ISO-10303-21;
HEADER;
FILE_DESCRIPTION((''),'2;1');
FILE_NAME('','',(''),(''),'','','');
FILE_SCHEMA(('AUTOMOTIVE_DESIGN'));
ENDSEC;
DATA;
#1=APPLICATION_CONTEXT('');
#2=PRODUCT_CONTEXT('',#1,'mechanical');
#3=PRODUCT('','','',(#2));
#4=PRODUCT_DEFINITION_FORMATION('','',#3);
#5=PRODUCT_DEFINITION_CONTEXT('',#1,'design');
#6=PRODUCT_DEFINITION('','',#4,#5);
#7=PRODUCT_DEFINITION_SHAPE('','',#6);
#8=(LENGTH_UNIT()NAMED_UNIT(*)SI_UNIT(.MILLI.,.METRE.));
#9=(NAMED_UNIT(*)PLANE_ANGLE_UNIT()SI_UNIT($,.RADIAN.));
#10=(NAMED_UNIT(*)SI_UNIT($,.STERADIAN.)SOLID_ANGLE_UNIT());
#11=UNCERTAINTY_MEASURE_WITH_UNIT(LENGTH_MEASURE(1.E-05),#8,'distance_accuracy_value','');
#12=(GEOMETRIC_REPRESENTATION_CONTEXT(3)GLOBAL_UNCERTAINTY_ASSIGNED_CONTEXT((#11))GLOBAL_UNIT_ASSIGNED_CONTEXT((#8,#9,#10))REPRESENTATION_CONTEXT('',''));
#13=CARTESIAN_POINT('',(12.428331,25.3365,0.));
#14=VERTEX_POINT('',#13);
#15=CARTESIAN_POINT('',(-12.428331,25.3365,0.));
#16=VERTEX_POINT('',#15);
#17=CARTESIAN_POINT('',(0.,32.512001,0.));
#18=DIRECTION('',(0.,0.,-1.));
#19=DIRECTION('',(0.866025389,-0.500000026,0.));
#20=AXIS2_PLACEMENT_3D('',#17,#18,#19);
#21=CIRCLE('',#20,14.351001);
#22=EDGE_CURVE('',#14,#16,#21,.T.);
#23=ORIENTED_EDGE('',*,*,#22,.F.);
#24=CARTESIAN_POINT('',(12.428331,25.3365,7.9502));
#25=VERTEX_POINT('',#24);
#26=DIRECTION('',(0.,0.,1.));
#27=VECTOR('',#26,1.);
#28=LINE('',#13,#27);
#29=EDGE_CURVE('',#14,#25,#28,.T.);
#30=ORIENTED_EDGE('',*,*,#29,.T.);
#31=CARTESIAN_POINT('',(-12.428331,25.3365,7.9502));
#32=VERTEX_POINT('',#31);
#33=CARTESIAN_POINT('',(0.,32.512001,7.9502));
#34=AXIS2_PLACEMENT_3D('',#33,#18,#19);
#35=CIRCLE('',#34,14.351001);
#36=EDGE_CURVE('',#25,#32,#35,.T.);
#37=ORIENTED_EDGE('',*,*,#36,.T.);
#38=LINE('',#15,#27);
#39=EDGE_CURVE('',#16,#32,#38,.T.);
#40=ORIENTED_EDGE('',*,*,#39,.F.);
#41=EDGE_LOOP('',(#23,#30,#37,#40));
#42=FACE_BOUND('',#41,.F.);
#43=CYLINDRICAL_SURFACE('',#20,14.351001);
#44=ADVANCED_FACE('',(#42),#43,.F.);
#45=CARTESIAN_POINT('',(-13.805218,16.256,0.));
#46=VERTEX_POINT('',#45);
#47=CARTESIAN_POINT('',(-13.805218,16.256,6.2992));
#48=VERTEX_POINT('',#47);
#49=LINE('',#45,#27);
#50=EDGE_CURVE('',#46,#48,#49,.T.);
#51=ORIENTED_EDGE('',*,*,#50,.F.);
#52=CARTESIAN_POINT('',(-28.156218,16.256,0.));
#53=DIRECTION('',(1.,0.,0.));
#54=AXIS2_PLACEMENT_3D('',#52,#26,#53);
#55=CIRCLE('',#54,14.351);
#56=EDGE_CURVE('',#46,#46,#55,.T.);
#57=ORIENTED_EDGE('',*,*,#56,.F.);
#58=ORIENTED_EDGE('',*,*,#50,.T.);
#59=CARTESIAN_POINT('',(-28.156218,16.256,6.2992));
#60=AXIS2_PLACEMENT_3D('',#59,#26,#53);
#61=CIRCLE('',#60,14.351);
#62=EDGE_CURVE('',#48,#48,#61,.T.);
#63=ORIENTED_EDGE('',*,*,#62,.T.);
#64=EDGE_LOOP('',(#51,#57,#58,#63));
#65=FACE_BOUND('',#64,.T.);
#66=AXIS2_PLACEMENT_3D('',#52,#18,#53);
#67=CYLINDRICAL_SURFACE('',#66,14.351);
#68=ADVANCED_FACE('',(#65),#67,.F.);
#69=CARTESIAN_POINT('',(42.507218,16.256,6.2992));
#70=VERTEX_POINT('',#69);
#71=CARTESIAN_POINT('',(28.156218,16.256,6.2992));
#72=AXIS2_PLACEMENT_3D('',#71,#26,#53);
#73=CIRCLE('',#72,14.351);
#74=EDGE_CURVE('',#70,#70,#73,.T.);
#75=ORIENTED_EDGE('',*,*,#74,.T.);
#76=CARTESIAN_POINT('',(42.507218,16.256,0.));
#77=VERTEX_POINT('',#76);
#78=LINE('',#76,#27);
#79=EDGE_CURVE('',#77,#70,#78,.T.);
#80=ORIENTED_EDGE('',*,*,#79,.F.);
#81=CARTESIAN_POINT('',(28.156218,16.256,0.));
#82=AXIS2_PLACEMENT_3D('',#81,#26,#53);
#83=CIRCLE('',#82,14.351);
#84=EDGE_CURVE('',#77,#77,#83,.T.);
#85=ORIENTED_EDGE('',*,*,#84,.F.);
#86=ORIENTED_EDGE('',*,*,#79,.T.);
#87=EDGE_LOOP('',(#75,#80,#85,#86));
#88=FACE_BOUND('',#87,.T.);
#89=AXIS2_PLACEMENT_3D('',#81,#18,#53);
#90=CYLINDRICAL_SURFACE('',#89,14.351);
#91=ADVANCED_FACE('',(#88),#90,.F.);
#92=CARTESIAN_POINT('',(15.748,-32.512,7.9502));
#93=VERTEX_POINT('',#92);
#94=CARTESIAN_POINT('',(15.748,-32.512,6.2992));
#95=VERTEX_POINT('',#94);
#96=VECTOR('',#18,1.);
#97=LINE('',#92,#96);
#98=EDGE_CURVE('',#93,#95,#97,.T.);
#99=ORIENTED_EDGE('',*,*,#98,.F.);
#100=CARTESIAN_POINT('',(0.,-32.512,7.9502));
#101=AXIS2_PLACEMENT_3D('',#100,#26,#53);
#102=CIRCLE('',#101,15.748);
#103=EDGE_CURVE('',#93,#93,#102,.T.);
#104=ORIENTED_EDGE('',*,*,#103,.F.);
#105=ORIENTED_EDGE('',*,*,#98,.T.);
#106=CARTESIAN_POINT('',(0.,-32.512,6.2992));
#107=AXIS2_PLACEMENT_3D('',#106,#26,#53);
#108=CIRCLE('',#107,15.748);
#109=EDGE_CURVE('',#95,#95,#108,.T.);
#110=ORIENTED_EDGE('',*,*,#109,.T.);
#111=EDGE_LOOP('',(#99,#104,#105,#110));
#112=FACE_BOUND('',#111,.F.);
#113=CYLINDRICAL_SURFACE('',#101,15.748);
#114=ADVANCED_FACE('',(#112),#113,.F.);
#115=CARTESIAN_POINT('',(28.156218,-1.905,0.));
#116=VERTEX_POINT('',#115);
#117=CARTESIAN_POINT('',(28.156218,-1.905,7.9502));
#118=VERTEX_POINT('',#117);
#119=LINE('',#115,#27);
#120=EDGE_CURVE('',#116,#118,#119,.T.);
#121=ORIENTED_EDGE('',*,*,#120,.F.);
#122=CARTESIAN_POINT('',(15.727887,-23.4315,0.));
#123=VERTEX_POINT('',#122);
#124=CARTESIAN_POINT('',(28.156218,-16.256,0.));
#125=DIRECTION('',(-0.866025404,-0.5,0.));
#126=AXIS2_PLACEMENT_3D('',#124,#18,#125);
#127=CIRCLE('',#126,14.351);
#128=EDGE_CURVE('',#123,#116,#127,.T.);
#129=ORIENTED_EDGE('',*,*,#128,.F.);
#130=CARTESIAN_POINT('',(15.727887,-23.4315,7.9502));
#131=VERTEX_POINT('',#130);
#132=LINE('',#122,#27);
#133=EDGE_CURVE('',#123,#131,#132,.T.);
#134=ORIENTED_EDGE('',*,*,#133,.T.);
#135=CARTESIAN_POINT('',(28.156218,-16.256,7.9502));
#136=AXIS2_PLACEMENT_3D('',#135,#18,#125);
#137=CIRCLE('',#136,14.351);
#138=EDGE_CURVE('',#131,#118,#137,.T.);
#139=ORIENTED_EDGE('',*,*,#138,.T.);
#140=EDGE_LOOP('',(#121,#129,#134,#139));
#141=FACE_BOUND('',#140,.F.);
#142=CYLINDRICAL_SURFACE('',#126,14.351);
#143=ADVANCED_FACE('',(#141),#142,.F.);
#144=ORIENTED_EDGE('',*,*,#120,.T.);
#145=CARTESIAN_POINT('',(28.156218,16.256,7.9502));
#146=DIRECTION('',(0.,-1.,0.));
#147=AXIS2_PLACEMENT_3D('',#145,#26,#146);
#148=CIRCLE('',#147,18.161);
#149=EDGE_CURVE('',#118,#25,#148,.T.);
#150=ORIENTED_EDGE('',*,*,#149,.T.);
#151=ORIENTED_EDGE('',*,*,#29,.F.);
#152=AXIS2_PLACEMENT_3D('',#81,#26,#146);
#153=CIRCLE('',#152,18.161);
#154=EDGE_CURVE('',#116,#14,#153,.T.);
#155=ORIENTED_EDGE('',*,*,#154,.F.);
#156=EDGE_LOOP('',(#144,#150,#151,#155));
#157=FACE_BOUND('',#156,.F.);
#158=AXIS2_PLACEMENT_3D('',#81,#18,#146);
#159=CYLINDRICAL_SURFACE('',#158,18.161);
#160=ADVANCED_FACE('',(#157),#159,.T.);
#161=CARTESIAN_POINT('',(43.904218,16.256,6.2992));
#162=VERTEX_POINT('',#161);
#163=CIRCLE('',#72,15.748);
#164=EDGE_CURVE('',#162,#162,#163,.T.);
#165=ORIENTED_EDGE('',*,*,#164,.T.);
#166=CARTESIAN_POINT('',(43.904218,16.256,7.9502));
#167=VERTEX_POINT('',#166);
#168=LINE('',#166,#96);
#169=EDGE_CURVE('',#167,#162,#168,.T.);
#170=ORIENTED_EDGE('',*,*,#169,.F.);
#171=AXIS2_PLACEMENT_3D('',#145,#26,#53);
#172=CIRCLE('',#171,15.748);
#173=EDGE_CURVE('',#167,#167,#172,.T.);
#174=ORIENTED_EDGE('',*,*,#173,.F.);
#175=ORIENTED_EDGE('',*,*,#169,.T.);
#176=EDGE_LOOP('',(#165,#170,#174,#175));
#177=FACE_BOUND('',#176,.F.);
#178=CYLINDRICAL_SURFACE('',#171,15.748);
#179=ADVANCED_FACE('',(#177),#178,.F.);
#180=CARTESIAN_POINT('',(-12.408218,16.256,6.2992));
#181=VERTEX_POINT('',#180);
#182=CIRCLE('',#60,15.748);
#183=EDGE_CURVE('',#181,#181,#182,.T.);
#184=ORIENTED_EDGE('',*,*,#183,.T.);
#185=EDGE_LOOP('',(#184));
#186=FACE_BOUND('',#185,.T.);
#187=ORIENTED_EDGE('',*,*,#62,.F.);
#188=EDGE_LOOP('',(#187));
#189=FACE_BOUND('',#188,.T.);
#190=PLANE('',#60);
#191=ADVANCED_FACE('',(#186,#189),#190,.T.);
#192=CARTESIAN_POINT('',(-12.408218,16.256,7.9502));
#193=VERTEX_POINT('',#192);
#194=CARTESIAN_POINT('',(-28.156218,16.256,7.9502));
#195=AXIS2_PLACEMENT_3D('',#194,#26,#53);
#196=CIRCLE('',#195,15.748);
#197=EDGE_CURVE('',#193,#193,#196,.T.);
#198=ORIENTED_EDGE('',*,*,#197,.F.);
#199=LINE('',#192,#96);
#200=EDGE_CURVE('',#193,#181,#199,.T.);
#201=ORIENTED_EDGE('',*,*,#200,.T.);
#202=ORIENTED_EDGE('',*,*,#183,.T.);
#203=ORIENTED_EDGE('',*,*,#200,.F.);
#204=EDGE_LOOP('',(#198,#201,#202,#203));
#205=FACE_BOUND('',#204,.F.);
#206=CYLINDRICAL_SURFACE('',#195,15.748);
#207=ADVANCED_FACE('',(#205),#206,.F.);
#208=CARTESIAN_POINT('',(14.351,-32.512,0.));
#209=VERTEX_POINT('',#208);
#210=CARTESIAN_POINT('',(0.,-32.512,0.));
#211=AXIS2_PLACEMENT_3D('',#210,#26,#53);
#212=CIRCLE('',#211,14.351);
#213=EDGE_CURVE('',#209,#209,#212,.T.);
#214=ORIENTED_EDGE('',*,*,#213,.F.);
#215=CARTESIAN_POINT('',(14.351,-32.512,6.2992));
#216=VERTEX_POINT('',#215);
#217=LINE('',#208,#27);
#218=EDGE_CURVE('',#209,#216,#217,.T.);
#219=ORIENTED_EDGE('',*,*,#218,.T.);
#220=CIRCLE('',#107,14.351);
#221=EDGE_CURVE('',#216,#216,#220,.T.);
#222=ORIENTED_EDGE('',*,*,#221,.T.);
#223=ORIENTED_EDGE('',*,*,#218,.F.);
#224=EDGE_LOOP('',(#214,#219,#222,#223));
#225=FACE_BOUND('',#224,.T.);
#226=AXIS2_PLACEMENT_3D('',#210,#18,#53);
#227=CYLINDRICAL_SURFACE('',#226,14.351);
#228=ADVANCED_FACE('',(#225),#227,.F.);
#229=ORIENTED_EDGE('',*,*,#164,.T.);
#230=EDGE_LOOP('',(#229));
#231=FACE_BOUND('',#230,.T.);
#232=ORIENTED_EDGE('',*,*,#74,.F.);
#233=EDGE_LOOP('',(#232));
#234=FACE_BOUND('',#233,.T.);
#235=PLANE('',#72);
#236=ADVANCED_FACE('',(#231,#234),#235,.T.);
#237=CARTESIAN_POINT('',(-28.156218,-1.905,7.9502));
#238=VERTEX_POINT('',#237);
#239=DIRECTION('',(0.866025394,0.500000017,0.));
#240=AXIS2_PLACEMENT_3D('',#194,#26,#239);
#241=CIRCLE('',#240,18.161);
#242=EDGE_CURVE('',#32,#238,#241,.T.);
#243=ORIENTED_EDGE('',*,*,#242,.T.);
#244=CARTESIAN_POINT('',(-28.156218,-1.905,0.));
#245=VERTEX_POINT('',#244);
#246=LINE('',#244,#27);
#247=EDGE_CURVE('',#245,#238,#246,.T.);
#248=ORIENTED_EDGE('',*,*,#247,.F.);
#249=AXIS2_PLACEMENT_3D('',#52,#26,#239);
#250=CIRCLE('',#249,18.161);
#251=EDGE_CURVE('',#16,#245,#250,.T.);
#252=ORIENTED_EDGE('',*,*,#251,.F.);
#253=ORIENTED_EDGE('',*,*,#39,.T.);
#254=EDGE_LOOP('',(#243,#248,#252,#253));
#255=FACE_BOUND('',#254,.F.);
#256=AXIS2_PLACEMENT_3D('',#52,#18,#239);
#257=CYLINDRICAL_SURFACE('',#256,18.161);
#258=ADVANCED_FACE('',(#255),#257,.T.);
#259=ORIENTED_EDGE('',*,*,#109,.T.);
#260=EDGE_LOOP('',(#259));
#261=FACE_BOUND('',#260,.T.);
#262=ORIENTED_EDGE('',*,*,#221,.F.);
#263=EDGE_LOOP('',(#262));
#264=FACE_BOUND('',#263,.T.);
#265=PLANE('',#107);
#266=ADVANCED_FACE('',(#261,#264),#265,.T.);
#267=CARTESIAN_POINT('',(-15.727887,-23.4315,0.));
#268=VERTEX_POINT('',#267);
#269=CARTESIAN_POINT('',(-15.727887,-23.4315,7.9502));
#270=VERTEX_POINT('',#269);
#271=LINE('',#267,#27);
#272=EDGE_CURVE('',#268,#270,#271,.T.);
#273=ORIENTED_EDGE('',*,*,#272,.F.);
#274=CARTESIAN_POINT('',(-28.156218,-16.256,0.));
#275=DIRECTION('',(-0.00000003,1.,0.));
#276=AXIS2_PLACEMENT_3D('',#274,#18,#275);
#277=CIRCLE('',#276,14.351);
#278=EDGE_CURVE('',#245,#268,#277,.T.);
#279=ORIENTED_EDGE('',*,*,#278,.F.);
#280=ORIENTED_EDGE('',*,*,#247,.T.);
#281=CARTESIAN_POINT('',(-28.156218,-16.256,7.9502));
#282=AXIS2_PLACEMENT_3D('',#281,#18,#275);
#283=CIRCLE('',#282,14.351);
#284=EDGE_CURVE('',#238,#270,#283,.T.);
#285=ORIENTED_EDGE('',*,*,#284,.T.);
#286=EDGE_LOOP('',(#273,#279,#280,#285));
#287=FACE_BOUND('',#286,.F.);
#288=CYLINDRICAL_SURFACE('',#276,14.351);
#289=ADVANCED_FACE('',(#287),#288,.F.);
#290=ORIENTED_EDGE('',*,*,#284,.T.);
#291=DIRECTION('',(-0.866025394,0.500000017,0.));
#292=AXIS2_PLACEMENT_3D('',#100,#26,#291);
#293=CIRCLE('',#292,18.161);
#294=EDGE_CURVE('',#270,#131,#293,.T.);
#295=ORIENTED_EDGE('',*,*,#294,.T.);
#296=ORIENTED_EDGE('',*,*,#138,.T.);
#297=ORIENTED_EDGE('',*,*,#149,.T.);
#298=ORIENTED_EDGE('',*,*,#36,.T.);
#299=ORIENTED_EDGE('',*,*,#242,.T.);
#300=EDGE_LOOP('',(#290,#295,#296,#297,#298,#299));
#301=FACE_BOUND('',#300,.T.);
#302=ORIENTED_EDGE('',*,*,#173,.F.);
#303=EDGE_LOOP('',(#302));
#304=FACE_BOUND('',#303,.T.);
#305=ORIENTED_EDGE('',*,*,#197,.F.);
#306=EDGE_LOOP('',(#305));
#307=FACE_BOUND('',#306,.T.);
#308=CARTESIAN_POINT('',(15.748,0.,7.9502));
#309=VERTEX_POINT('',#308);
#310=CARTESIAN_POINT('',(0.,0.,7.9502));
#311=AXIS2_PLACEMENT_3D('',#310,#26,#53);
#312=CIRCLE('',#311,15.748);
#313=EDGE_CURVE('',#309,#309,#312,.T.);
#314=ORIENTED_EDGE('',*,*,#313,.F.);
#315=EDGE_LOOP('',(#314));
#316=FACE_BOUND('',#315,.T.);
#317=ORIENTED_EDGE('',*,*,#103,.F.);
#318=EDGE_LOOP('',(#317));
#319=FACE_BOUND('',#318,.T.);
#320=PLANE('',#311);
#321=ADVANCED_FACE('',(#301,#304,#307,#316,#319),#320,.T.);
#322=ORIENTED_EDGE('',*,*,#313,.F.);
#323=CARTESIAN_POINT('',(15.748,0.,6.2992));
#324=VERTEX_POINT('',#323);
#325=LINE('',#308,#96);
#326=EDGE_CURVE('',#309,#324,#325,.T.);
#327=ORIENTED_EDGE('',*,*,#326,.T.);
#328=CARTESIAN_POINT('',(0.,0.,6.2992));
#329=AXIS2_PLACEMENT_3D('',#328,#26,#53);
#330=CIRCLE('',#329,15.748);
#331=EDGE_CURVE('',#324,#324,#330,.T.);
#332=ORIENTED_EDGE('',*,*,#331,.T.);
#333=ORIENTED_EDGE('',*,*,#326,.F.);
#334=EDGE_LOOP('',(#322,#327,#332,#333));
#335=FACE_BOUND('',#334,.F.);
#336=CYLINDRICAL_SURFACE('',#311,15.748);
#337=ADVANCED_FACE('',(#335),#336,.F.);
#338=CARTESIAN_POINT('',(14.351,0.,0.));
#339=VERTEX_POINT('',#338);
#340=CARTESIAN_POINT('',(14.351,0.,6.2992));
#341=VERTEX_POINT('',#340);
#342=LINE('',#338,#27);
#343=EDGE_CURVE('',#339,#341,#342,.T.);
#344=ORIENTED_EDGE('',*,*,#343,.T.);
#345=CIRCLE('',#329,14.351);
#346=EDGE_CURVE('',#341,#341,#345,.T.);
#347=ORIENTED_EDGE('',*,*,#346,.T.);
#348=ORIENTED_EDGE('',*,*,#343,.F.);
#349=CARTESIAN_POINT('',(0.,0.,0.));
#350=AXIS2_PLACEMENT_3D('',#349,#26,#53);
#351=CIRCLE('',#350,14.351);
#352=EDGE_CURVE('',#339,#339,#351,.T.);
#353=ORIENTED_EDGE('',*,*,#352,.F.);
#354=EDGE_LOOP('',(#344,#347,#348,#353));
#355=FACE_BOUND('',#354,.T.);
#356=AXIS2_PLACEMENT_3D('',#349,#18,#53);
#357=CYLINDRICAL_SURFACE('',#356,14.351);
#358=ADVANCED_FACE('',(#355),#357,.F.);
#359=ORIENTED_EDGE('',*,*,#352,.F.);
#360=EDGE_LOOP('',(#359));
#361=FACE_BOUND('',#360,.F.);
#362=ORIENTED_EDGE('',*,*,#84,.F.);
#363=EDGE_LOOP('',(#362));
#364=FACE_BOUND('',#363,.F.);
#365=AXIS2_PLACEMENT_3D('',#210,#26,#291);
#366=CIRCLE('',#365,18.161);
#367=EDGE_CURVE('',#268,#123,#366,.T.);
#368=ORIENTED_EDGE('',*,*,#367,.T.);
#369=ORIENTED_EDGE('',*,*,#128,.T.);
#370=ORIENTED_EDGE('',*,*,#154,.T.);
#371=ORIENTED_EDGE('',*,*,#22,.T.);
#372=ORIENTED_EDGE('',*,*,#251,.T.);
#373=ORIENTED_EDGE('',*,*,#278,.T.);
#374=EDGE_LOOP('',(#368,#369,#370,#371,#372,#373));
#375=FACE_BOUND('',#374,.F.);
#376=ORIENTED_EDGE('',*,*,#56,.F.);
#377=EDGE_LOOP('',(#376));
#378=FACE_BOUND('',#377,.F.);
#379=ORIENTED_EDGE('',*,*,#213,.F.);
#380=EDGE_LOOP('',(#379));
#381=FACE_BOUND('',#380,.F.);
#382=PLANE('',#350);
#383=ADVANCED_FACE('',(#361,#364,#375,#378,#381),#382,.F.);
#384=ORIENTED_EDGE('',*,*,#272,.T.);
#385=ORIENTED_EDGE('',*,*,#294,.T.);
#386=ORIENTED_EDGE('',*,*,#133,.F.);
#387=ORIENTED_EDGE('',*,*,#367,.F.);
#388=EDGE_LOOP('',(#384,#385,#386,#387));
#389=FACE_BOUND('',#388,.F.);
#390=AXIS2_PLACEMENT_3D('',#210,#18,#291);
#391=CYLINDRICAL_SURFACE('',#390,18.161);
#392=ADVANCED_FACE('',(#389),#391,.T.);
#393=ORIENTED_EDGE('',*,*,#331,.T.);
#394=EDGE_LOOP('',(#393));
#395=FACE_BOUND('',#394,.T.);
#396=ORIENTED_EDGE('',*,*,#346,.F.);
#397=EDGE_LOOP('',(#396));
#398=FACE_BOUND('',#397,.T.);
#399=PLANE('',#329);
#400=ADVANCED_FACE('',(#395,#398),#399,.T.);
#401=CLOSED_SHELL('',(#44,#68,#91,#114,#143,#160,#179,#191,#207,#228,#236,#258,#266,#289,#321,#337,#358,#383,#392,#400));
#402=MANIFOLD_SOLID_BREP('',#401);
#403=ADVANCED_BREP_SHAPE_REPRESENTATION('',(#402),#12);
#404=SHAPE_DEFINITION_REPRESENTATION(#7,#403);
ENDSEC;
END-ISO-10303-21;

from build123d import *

# Parameters (mm, degrees)
F0_R     = 14.351
F1_DEPTH = 7.9502
F2_R     = 15.748
F2_R_2   = 14.351
F3_DEPTH = 1.651
F4_DEPTH = 1.651
F5_DEPTH = 1.651
F6_DEPTH = 1.651


with BuildPart() as f1:
    # F0 (on Top) → F1 (new body)
    with BuildSketch(Plane.XY):
        with BuildLine():
            ThreePointArc((12.428331, 25.3365), (0, 18.161), (-12.428331, 25.3365))
            ThreePointArc((-12.428331, 25.3365), (-43.884105, 25.3365), (-28.156218, -1.905))
            ThreePointArc((-28.156218, -1.905), (-15.727887, -9.0805), (-15.727887, -23.4315))
            ThreePointArc((-15.727887, -23.4315), (0, -50.673), (15.727887, -23.4315))
            ThreePointArc((15.727887, -23.4315), (15.727887, -9.0805), (28.156218, -1.905))
            ThreePointArc((28.156218, -1.905), (43.884105, 25.3365), (12.428331, 25.3365))
        make_face()
        with Locations((0, -32.512)):
            Circle(F0_R, mode=Mode.SUBTRACT)
        Circle(F0_R, mode=Mode.SUBTRACT)
        with Locations((-28.156218, 16.256)):
            Circle(F0_R, mode=Mode.SUBTRACT)
        with Locations((28.156218, 16.256)):
            Circle(F0_R, mode=Mode.SUBTRACT)
    extrude(amount=F1_DEPTH)

    # F2 (on face) → F3 (cut)
    with BuildSketch(Plane.XY.offset(7.9502)):
        with Locations((-28.156218, 16.256)):
            Circle(F2_R)
        with Locations((-28.156218, 16.256)):
            Circle(F2_R_2, mode=Mode.SUBTRACT)
    extrude(amount=-F3_DEPTH, mode=Mode.SUBTRACT)

    # F2 (on face) → F4 (cut)
    with BuildSketch(Plane.XY.offset(7.9502)):
        with Locations((28.156218, 16.256)):
            Circle(F2_R)
        with Locations((28.156218, 16.256)):
            Circle(F2_R_2, mode=Mode.SUBTRACT)
    extrude(amount=-F4_DEPTH, mode=Mode.SUBTRACT)

    # F2 (on face) → F5 (cut)
    with BuildSketch(Plane.XY.offset(7.9502)):
        with Locations((0, -32.512)):
            Circle(F2_R)
        with Locations((0, -32.512)):
            Circle(F2_R_2, mode=Mode.SUBTRACT)
    extrude(amount=-F5_DEPTH, mode=Mode.SUBTRACT)

    # F2 (on face) → F6 (cut)
    with BuildSketch(Plane.XY.offset(7.9502)):
        Circle(F2_R)
        Circle(F2_R_2, mode=Mode.SUBTRACT)
    extrude(amount=-F6_DEPTH, mode=Mode.SUBTRACT)


solid = f1.part
